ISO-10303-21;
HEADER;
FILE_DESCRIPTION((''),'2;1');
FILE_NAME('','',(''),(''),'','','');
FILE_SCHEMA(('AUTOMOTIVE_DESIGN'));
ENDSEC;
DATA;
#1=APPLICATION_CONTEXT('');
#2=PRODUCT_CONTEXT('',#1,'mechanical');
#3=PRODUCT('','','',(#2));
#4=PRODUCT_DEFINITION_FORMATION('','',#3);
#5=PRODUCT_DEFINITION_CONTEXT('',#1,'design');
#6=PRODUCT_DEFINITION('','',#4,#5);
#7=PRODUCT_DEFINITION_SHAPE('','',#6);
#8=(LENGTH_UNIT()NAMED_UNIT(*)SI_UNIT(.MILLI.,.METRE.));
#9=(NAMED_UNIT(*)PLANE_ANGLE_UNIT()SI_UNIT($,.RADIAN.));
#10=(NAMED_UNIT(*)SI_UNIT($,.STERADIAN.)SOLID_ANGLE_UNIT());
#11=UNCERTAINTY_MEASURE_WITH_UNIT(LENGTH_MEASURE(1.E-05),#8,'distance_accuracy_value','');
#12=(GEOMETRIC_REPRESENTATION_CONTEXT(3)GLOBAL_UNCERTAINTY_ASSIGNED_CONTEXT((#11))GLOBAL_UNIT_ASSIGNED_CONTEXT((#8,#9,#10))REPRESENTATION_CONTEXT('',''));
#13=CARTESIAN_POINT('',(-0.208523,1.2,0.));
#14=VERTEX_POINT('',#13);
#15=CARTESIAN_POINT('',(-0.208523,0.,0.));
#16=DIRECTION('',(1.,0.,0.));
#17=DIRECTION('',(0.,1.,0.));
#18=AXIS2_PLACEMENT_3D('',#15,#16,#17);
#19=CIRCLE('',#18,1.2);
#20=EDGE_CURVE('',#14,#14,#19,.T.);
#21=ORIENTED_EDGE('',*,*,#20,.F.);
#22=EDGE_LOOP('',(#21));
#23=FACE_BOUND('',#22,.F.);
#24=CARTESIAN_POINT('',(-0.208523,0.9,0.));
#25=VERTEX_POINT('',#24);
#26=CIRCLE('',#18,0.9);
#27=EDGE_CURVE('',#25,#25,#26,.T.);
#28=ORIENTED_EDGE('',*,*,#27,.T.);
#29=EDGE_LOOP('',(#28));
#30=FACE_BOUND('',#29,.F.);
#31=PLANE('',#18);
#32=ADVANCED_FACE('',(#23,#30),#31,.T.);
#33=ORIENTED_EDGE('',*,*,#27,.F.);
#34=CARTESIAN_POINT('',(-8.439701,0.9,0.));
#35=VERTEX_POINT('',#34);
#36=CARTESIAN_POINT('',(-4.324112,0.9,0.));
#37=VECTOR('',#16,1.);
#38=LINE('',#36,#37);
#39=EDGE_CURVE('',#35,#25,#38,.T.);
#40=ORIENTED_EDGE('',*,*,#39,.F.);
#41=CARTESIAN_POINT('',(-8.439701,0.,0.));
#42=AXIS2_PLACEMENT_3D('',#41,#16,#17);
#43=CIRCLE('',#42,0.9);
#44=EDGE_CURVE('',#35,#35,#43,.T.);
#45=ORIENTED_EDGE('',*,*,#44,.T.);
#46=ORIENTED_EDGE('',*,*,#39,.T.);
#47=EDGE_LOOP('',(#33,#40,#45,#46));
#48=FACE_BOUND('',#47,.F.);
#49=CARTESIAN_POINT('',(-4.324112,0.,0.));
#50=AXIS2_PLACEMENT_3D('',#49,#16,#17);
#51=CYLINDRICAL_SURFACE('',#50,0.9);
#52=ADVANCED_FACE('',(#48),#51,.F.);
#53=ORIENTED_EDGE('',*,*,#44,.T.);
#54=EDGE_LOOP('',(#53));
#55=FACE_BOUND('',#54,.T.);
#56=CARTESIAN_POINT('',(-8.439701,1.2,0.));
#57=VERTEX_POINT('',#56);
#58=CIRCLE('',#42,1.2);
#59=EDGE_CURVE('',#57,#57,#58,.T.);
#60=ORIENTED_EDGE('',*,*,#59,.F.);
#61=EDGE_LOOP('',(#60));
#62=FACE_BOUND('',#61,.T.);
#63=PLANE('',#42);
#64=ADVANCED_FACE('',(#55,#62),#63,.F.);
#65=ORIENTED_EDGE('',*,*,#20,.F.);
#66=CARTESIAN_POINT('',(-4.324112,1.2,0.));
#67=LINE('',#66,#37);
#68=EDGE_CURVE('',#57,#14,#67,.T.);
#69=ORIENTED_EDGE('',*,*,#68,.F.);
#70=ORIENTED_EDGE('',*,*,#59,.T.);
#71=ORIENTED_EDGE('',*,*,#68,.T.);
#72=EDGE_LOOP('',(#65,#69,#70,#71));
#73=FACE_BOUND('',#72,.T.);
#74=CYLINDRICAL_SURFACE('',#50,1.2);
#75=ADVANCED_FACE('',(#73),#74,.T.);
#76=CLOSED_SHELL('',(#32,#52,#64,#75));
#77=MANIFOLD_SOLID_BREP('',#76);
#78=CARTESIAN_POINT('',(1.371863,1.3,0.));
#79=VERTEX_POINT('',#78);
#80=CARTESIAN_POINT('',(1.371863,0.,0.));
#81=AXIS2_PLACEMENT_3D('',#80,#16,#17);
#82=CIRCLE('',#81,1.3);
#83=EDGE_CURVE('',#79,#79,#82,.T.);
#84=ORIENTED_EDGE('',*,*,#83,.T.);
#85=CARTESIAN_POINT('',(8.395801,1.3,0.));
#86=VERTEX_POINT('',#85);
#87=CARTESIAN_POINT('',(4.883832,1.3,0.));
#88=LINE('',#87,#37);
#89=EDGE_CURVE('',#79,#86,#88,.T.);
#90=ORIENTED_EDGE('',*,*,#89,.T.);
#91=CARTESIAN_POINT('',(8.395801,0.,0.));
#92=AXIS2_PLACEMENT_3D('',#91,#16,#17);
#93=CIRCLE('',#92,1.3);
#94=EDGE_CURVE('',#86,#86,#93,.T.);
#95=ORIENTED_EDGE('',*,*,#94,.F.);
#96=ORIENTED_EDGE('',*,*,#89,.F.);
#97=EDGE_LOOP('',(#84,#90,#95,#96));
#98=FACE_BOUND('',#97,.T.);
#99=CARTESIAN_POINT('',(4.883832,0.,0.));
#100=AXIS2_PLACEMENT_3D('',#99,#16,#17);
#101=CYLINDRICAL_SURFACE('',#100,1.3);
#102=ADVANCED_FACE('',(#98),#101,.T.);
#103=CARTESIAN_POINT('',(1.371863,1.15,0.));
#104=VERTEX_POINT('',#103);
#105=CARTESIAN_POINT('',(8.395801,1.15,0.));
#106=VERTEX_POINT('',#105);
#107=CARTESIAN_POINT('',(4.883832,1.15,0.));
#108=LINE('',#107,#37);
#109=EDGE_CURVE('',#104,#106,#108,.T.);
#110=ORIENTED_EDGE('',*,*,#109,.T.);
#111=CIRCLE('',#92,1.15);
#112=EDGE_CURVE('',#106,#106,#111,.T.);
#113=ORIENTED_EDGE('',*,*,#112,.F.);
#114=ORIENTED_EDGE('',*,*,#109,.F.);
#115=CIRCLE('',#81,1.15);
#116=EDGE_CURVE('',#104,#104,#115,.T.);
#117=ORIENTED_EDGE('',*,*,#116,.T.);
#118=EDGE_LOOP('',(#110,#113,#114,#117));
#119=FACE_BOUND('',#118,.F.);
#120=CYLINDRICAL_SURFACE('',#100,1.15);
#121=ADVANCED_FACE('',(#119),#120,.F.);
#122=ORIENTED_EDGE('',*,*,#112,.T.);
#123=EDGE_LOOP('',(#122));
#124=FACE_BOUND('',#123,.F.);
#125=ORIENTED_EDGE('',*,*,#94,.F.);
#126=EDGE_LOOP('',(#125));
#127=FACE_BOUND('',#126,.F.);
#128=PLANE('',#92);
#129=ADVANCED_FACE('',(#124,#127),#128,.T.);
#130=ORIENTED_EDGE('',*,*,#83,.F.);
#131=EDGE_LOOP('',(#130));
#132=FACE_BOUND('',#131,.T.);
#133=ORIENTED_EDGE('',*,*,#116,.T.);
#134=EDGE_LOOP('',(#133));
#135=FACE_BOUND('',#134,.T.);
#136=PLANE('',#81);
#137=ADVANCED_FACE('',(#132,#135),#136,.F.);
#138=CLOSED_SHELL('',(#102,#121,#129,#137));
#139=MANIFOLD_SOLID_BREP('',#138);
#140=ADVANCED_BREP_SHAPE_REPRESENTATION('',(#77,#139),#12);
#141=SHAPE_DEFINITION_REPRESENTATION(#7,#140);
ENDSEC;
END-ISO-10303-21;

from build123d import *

# Parameters (mm, degrees)
F0_W   = 8.231178
F0_H   = 0.3
F0_W_2 = 7.023938
F0_H_2 = 0.15


with BuildPart() as f1:
    # F0 (on Top) → F1 (revolve)
    with BuildSketch(Plane.XY):
        with Locations((-4.324112, 1.05)):
            Rectangle(F0_W, F0_H)
        with Locations((4.883832, 1.225)):
            Rectangle(F0_W_2, F0_H_2)
    revolve(axis=Axis((-0.417047, 0, 0), (1, 0, 0)))


solid = f1.part
